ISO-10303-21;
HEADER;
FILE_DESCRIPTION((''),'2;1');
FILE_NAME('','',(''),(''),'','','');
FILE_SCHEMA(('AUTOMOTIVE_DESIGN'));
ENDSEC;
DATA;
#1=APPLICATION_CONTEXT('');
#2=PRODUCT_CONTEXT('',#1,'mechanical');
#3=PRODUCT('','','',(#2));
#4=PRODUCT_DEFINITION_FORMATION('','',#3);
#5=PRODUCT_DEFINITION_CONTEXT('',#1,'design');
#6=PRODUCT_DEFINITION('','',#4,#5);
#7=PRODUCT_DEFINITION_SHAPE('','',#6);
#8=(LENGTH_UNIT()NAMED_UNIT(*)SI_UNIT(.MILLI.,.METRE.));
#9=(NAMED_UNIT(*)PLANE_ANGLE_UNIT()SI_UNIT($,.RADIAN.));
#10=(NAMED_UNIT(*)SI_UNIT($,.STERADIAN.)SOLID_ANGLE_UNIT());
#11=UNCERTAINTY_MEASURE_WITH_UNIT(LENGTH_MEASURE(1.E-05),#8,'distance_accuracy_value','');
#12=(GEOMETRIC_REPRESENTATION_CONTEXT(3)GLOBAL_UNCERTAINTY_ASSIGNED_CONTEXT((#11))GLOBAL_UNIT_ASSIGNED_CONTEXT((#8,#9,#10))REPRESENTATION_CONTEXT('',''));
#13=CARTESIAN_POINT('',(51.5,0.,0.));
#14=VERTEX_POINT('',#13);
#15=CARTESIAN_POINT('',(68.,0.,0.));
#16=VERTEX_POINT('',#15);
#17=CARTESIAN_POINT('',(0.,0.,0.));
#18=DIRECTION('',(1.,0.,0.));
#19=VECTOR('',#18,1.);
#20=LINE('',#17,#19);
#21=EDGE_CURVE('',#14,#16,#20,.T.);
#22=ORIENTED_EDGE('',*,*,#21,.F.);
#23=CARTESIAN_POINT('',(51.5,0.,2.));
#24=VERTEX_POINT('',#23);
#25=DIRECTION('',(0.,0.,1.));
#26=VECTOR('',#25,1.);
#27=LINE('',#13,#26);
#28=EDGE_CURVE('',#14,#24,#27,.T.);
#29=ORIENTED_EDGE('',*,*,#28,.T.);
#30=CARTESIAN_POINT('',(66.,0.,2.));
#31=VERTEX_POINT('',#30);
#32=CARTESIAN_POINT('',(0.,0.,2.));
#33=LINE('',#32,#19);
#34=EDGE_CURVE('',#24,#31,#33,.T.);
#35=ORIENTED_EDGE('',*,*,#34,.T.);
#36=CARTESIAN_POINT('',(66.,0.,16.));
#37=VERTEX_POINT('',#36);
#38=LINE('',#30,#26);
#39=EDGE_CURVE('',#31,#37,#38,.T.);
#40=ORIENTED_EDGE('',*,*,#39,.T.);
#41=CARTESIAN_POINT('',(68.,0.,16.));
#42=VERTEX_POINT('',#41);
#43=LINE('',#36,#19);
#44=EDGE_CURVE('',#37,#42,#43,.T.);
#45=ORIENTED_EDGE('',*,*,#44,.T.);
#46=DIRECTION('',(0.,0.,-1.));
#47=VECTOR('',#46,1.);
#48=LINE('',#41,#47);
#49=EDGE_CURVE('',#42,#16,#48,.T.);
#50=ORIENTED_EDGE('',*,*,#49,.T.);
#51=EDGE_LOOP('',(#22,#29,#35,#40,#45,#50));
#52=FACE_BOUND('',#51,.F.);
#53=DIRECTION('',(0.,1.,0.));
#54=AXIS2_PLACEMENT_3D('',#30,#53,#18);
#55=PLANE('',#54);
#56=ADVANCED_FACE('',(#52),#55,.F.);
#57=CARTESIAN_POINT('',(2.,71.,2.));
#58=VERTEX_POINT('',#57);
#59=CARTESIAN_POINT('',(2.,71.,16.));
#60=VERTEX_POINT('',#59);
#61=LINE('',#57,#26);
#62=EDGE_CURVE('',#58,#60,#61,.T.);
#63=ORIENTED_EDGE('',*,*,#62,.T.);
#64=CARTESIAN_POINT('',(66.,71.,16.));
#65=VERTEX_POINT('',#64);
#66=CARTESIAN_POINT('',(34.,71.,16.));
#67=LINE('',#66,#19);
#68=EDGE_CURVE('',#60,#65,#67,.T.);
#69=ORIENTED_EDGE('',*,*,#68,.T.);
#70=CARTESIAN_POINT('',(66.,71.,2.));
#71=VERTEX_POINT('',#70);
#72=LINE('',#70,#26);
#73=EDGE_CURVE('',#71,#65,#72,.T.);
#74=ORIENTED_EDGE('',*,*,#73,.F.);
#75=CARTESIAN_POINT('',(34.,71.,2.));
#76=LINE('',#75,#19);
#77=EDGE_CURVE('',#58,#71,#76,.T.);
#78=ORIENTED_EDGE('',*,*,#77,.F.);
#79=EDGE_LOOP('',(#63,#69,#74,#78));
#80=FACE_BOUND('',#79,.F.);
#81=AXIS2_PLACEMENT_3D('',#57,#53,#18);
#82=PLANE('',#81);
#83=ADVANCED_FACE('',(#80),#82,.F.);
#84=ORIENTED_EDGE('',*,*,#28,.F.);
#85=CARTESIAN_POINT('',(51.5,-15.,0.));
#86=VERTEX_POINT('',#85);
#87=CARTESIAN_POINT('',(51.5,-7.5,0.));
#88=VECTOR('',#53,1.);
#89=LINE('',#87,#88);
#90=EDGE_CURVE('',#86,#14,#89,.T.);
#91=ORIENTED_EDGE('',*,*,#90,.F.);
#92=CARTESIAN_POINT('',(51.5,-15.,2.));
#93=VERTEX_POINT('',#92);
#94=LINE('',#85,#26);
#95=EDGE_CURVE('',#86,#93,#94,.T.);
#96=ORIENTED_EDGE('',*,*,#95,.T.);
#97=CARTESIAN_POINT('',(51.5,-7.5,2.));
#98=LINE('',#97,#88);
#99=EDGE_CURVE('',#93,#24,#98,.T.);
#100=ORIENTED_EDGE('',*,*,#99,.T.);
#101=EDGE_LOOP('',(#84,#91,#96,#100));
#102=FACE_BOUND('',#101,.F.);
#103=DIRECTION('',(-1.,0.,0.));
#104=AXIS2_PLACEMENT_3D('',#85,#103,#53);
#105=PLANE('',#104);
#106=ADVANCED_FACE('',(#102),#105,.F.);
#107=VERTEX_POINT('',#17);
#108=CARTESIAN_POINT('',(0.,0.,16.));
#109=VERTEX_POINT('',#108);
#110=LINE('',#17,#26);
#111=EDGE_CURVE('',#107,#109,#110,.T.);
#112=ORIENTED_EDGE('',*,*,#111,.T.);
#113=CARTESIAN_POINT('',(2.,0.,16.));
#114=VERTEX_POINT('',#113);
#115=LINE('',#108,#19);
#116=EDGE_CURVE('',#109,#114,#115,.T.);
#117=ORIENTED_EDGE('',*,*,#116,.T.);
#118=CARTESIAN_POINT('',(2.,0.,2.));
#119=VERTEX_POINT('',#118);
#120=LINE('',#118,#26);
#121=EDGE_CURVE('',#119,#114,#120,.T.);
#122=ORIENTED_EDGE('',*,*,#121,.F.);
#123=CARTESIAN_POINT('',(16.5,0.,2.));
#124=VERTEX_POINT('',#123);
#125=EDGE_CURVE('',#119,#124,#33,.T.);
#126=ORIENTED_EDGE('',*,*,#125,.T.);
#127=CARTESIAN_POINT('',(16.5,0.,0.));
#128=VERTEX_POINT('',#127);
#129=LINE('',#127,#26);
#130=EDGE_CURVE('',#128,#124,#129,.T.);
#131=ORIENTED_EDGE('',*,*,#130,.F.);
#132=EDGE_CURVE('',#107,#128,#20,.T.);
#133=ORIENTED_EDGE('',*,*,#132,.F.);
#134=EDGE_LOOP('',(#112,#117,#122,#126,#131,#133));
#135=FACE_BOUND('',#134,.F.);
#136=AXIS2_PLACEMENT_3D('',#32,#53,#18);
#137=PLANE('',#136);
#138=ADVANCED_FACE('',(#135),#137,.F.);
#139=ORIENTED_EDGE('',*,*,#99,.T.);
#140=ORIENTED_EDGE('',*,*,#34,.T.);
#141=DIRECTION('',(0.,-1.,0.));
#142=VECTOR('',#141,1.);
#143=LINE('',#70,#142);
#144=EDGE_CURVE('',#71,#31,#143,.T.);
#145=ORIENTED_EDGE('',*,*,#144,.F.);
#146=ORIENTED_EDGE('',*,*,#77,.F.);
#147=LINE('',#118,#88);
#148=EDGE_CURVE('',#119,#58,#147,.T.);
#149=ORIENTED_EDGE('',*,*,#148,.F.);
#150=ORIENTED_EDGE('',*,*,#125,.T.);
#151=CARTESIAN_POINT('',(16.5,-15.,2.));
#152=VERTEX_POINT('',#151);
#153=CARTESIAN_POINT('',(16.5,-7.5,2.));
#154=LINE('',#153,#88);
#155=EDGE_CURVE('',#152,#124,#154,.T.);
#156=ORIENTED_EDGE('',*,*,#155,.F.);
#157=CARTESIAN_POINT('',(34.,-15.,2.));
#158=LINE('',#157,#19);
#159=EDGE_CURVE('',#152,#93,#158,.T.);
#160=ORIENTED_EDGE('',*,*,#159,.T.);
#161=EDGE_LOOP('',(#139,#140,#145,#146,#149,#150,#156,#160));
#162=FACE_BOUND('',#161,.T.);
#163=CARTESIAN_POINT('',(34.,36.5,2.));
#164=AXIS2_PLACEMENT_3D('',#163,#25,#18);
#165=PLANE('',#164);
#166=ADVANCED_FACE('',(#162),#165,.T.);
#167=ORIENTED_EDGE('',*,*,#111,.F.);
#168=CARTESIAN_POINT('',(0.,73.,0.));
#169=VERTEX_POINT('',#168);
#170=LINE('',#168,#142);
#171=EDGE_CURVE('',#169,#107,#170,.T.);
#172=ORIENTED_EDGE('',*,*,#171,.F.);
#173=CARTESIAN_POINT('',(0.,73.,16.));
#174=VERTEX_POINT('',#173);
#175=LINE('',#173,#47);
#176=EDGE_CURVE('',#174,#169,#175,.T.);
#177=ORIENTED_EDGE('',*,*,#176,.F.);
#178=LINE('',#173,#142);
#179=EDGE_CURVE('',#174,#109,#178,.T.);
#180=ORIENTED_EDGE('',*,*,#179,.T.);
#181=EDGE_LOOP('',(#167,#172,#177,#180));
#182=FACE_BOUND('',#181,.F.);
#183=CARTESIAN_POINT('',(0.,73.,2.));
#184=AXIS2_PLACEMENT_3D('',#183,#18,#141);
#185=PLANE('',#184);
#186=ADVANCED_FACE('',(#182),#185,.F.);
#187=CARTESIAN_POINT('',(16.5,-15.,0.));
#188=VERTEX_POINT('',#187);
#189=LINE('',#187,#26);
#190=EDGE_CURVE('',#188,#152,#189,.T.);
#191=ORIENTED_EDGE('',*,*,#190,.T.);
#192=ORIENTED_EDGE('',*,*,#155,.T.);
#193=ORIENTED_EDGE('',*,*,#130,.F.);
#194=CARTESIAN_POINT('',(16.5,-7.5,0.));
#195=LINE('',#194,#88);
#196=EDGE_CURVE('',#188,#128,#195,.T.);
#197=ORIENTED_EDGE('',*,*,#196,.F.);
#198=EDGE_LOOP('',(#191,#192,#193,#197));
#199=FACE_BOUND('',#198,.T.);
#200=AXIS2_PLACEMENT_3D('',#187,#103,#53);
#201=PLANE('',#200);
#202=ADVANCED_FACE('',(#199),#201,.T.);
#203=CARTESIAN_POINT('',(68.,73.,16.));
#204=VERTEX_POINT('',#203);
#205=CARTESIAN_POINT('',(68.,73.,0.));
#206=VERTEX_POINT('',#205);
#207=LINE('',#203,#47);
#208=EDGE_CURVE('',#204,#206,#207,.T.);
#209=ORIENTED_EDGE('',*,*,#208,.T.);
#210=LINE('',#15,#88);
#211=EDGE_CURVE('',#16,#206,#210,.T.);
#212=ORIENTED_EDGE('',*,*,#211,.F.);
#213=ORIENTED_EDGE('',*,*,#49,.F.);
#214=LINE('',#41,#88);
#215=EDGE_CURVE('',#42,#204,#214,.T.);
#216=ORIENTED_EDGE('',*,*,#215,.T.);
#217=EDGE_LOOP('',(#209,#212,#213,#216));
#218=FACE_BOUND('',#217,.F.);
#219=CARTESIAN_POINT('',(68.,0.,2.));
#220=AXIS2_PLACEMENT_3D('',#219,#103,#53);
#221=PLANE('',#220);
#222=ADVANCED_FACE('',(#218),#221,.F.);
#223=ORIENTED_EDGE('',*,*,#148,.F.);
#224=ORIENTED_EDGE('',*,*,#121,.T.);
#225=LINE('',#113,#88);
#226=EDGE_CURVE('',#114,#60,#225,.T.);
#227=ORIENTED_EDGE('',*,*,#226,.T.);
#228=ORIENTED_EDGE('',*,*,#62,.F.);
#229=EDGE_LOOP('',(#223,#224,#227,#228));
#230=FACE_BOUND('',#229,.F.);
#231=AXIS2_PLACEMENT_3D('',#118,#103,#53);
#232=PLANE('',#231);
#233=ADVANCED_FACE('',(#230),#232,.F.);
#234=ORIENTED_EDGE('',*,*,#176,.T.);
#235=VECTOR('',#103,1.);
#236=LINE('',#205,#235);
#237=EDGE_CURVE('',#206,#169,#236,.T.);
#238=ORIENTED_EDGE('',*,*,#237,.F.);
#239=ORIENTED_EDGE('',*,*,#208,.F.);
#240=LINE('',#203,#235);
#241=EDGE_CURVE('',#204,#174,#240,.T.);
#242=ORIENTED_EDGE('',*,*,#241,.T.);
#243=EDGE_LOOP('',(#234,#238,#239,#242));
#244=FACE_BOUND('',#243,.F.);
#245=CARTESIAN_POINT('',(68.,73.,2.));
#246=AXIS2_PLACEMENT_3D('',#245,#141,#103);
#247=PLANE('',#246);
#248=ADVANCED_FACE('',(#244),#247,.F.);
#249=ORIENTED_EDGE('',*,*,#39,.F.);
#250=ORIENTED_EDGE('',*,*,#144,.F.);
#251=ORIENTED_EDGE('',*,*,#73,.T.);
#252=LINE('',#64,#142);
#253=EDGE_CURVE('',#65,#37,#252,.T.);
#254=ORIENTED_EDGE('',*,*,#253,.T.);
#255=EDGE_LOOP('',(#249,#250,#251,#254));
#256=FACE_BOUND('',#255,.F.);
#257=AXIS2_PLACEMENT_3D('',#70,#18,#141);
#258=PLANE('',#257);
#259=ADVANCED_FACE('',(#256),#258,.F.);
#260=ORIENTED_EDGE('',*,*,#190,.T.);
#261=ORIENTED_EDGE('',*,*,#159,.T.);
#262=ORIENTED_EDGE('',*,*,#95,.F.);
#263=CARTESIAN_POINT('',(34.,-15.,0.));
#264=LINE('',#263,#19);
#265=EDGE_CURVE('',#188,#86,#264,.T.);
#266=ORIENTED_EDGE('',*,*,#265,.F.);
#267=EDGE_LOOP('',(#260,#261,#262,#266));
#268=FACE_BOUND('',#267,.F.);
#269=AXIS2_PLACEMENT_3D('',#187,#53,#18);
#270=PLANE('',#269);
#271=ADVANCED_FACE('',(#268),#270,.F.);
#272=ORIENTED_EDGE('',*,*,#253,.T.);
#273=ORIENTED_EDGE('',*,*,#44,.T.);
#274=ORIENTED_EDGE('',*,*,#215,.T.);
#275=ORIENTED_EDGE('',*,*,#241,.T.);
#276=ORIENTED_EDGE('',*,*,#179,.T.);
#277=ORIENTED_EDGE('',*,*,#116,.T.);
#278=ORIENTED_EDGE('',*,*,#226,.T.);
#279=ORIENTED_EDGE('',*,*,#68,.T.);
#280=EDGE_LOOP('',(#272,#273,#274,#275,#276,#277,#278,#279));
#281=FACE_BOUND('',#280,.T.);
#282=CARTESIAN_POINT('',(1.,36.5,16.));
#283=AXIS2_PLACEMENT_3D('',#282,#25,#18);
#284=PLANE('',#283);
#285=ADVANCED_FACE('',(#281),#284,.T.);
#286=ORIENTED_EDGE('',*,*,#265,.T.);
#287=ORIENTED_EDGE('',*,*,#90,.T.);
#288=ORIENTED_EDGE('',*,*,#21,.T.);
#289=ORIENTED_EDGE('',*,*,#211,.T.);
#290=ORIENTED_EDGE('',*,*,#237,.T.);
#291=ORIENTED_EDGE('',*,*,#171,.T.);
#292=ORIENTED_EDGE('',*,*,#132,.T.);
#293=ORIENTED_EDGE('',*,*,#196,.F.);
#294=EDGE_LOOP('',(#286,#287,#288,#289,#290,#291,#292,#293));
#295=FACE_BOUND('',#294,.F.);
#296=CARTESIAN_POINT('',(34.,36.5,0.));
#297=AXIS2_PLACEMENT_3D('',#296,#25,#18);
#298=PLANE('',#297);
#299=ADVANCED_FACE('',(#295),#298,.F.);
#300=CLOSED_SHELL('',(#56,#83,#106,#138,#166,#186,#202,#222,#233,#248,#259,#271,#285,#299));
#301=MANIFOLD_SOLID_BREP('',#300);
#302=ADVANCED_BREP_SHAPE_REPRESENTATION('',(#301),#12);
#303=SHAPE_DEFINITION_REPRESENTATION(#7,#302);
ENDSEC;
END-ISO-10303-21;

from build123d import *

# Parameters (mm, degrees)
F0_W     = 35
F0_H     = 15
F1_DEPTH = 2
F2_W     = 64
F2_H     = 2
F3_DEPTH = 14


with BuildPart() as f1:
    # F0 (on Top) → F1 (new body)
    with BuildSketch(Plane.XY):
        Polygon((0, 73), (0, 0), (16.5, 0), (51.5, 0), (68, 0), (68, 73), align=None)
        with Locations((34, -7.5)):
            Rectangle(F0_W, F0_H)
    extrude(amount=F1_DEPTH)

    # F2 (on face) → F3 (join)
    with BuildSketch(Plane.XY.offset(2)):
        Polygon((0, 73), (0, 0), (2, 0), (2, 71), (2, 73), align=None)
        with Locations((34, 72)):
            Rectangle(F2_W, F2_H)
        Polygon((66, 73), (66, 71), (66, 0), (68, 0), (68, 73), align=None)
    extrude(amount=F3_DEPTH)


solid = f1.part
